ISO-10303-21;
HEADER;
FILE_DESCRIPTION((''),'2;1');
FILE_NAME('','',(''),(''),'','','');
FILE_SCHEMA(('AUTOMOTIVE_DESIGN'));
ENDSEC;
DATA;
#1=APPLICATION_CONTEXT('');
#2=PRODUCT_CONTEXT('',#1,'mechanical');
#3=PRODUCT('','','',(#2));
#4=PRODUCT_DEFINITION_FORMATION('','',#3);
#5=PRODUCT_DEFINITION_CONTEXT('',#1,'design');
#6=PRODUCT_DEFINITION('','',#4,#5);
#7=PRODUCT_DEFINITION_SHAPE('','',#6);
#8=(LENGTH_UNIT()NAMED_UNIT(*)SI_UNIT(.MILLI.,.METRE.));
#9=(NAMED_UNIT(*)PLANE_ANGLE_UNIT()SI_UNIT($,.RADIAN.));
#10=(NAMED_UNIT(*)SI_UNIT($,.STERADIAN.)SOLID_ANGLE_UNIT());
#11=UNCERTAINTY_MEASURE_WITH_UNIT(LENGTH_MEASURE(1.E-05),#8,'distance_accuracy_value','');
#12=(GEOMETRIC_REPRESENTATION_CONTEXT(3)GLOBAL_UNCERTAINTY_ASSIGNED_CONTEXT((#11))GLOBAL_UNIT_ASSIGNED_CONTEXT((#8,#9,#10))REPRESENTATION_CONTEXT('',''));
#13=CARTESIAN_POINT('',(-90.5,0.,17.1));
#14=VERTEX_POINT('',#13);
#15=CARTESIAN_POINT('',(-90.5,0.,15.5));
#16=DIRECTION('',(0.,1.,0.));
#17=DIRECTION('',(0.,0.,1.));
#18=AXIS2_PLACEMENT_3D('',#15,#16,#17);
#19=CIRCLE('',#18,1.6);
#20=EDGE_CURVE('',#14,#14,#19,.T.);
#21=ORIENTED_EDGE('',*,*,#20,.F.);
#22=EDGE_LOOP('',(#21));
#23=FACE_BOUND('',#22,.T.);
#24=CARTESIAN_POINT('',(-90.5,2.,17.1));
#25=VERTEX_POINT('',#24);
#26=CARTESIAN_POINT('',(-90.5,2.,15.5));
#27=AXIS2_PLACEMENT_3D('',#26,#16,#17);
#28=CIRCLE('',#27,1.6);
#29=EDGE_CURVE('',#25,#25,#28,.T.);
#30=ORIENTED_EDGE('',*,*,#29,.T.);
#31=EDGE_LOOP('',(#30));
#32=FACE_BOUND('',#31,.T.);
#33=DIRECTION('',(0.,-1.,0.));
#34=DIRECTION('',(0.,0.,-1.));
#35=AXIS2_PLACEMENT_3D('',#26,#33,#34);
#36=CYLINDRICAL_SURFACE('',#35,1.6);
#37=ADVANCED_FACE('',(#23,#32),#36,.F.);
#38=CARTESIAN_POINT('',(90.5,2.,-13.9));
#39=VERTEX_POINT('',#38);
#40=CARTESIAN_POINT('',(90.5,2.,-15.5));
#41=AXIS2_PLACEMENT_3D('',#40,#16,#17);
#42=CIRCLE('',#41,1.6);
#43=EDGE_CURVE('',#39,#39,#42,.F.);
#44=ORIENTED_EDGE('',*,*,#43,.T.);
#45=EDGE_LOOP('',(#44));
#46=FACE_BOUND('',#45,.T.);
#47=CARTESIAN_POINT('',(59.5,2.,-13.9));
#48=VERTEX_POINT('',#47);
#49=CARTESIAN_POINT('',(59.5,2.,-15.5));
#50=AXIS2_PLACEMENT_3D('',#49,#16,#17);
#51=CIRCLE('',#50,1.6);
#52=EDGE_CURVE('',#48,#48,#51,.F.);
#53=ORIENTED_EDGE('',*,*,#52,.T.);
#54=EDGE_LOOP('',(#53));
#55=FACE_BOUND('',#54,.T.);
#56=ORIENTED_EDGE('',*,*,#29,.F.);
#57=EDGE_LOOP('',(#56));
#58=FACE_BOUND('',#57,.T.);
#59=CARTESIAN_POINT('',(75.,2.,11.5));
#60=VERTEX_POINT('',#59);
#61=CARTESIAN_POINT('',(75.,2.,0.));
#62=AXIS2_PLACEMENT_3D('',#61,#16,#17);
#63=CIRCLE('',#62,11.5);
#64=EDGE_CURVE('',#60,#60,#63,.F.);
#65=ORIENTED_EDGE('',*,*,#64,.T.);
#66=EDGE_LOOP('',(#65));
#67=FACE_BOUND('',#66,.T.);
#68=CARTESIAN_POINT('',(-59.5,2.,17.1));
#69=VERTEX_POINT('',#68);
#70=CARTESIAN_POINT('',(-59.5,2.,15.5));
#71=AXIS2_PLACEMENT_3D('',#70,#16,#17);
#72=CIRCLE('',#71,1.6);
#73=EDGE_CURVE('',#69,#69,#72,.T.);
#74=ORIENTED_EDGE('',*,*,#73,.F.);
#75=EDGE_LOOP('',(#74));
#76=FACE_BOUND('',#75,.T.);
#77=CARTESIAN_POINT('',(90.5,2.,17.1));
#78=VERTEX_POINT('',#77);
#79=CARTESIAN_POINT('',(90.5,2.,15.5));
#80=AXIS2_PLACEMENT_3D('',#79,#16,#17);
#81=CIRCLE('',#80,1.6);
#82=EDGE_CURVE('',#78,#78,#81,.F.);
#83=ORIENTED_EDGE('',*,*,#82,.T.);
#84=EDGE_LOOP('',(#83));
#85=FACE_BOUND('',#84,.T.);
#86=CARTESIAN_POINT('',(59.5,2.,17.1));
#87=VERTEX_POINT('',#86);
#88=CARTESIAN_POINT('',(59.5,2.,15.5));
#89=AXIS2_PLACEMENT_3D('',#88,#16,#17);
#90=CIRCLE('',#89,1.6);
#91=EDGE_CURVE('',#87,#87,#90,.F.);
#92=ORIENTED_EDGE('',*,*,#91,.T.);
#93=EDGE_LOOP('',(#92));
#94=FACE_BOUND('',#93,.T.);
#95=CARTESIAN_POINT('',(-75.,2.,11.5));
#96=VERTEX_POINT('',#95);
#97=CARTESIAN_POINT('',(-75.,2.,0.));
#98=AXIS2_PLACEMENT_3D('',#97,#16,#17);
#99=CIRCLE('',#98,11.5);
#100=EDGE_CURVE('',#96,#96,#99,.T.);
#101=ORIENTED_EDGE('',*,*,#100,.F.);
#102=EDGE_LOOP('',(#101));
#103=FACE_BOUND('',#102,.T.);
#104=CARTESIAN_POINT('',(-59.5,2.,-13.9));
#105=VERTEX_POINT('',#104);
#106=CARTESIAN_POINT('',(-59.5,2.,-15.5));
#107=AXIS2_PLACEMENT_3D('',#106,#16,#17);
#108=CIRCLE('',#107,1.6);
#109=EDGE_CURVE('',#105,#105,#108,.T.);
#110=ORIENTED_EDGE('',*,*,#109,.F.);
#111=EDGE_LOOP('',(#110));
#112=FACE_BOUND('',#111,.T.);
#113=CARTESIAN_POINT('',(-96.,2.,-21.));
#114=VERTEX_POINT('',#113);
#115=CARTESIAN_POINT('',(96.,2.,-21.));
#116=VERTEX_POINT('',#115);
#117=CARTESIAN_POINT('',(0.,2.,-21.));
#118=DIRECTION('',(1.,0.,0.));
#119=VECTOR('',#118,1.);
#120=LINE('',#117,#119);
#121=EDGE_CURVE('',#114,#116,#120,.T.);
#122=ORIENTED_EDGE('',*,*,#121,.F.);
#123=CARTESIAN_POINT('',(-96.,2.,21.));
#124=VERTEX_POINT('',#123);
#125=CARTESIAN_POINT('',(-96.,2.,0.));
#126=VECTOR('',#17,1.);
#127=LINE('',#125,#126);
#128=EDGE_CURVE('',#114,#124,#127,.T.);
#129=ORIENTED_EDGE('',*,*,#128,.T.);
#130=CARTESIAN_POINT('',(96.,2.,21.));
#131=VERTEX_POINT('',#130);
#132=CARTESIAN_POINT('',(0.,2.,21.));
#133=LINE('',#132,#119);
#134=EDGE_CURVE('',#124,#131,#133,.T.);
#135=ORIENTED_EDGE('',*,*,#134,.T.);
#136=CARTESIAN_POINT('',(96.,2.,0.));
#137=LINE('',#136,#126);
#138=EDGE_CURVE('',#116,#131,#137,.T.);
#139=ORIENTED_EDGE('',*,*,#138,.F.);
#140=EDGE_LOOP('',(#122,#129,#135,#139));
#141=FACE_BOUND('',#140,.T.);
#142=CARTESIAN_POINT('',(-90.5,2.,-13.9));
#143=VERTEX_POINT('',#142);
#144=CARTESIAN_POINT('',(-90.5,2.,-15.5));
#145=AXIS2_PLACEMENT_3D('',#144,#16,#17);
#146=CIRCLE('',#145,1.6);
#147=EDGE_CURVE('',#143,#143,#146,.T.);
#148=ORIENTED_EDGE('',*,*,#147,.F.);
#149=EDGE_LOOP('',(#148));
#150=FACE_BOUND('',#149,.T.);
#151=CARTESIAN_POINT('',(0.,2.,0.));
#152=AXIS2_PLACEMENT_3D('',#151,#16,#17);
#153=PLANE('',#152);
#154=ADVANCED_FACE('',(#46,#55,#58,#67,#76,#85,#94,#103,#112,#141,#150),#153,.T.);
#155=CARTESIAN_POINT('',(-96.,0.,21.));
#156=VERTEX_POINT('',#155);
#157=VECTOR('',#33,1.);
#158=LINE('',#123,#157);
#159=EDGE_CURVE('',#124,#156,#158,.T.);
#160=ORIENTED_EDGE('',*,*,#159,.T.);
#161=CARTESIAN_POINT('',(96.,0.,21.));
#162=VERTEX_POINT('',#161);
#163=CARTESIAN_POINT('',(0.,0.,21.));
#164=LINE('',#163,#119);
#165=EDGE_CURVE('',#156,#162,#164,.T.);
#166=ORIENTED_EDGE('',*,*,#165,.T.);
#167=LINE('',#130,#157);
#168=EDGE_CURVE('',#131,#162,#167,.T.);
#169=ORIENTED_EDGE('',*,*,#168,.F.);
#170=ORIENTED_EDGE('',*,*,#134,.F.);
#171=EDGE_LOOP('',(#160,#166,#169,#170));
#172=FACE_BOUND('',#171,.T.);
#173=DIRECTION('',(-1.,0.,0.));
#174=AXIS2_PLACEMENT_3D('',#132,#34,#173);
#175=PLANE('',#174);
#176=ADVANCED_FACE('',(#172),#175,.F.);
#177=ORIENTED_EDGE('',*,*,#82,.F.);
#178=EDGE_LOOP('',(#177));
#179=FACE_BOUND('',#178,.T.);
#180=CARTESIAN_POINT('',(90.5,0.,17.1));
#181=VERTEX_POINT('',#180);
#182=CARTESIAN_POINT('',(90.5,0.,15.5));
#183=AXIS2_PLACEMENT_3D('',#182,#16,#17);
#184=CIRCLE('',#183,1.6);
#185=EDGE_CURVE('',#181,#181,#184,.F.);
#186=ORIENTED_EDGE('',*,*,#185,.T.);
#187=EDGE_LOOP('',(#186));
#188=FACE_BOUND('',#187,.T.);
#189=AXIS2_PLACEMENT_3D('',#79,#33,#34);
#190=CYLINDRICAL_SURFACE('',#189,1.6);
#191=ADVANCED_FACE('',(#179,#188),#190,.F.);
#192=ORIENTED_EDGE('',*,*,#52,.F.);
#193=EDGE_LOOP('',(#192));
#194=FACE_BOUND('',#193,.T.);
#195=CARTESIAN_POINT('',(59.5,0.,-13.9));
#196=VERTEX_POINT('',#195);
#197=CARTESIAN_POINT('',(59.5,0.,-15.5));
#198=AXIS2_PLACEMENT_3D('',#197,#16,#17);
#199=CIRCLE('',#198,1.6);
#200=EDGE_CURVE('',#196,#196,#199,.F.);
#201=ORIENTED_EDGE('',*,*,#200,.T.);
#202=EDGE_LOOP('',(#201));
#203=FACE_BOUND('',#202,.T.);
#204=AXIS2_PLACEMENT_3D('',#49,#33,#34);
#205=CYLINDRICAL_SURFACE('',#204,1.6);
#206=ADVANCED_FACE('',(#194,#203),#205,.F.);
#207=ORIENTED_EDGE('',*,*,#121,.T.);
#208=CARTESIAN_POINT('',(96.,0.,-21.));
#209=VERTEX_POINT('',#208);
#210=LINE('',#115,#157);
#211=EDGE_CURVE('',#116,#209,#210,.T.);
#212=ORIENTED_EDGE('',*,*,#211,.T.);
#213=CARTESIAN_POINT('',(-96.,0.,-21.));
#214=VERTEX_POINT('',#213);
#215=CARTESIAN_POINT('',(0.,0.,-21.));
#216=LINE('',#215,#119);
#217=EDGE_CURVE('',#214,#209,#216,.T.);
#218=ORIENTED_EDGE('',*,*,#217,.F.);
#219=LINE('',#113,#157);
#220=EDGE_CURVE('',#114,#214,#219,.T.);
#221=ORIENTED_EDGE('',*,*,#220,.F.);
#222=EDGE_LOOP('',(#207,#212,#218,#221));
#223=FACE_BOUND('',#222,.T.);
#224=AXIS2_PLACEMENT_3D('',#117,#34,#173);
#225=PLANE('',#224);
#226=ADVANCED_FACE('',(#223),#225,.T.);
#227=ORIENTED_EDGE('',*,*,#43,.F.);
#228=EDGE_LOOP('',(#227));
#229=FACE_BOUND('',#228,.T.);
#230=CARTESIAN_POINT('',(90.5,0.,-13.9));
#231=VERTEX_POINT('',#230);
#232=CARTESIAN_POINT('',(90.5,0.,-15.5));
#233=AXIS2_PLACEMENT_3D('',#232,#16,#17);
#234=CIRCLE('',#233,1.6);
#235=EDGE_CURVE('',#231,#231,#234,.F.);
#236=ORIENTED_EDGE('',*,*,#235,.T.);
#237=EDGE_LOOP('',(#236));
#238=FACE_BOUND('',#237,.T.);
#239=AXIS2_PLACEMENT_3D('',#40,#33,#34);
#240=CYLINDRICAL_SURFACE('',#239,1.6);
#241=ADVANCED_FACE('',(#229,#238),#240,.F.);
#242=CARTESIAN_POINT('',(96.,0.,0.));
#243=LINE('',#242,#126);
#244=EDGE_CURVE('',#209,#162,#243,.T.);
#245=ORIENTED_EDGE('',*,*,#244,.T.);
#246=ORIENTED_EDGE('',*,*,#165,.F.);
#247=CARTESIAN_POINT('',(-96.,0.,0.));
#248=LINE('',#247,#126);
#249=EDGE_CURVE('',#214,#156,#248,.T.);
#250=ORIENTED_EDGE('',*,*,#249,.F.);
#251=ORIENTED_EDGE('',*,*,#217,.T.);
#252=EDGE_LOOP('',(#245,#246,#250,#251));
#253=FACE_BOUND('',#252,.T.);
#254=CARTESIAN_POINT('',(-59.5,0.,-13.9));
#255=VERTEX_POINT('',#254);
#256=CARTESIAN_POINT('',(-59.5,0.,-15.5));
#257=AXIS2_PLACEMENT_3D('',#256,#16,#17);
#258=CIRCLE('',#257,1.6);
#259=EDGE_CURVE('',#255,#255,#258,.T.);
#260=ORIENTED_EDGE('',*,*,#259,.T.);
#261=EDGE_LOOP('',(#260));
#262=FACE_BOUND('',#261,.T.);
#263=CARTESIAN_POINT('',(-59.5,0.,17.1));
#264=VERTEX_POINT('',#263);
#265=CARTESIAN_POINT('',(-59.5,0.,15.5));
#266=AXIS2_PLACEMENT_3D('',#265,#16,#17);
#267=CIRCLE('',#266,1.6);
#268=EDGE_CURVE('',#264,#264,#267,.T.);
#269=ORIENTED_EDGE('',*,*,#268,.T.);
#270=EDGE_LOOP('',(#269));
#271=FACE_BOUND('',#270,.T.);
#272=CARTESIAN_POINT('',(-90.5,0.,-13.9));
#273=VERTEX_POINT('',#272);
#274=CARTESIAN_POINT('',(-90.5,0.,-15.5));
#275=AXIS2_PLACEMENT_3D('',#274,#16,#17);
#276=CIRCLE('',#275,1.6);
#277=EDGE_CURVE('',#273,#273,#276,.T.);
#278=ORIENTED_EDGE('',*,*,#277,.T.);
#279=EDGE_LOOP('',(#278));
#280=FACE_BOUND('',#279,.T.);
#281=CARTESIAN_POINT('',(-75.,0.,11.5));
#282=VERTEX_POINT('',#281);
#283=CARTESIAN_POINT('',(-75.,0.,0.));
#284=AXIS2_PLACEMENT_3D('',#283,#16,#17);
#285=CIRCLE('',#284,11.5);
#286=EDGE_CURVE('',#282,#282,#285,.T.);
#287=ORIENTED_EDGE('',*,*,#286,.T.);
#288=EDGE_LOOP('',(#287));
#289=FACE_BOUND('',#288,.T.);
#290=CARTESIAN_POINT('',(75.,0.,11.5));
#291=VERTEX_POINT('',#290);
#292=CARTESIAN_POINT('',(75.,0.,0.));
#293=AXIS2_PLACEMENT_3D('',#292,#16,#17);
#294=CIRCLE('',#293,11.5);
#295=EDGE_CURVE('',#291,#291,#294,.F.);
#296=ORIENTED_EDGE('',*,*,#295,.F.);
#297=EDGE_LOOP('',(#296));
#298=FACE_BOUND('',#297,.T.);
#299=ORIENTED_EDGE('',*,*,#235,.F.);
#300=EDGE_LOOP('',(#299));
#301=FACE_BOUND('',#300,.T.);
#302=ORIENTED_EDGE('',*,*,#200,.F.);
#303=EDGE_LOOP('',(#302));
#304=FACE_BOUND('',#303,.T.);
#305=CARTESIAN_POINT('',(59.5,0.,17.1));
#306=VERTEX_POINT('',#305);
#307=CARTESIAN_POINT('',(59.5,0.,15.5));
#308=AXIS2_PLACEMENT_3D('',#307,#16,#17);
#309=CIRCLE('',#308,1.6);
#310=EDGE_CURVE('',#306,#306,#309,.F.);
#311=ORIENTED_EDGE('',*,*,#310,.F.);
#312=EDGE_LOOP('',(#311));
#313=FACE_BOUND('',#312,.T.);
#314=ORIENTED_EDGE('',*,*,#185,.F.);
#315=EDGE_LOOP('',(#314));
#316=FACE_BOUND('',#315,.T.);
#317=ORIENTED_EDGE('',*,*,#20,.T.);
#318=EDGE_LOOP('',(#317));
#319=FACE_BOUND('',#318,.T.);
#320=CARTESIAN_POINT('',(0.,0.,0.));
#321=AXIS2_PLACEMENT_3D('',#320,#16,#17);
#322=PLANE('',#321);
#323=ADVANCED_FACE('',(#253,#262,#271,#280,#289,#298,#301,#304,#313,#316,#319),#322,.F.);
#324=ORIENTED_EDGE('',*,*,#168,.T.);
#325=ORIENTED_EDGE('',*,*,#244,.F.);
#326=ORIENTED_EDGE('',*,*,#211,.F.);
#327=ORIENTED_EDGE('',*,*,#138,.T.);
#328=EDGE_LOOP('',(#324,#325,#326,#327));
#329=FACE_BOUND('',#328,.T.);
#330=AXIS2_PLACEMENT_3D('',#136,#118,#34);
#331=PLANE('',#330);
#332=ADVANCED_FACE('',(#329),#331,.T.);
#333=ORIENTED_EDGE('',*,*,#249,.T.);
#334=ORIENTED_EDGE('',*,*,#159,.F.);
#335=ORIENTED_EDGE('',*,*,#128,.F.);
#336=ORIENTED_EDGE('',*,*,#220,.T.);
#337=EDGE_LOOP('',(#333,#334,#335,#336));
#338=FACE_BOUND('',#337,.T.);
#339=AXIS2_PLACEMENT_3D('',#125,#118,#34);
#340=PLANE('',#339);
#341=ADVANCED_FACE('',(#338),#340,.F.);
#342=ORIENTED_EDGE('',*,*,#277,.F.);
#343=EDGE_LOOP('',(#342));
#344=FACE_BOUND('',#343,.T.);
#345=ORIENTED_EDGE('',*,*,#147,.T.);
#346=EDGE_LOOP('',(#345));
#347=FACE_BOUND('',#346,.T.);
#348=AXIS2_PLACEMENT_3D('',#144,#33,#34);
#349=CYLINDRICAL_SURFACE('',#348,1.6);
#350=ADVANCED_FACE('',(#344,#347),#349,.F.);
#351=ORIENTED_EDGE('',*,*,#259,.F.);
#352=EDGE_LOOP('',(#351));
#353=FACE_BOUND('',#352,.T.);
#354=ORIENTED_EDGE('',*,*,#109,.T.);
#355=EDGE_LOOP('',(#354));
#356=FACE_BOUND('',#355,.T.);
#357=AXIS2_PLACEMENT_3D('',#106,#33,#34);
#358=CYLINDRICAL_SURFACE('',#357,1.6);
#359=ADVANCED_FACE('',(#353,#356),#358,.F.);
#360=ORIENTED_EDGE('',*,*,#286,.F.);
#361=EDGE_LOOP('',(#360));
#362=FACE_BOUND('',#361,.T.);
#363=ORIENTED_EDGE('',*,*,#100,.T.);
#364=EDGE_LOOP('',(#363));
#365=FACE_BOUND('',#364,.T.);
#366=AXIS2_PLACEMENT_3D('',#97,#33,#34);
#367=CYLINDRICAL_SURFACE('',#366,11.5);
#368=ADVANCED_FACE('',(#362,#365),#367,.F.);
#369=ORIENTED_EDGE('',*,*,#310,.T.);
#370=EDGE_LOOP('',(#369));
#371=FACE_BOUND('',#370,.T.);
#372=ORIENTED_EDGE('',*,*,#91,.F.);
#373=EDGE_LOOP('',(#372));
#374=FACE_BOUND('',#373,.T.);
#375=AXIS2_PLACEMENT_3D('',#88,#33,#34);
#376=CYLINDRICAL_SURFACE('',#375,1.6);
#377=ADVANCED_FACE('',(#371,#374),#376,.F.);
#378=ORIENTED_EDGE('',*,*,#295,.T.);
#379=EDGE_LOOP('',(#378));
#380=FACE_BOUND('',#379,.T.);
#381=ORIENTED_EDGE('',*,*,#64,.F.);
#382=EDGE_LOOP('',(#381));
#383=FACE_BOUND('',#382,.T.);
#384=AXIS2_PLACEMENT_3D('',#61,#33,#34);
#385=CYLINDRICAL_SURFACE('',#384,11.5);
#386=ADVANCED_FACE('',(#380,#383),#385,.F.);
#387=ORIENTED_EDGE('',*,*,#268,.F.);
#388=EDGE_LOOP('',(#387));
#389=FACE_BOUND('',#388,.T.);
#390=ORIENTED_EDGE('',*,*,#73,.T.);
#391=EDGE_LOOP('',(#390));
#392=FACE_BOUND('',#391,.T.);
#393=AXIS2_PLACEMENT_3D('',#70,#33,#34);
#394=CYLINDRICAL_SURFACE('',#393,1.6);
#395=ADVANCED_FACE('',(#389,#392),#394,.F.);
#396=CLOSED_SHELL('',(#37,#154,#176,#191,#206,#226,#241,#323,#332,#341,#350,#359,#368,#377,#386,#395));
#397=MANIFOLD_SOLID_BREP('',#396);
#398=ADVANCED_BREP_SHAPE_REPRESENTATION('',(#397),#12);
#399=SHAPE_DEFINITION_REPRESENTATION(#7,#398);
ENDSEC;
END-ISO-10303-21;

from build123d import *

# Parameters (mm, degrees)
SKETCH1_W           = 192
SKETCH1_H           = 42
SKETCH1_R           = 1.6
SKETCH1_R_2         = 11.5
BOSS_EXTRUDE1_DEPTH = 2


with BuildPart() as part:
    # Sketch1 → Boss-Extrude1 (new body)
    with BuildSketch(Plane(origin=(0, 0, 0), x_dir=(1, 0, 0), z_dir=(0, 1, 0))):
        Rectangle(SKETCH1_W, SKETCH1_H)
        with Locations(Location((-90.5, -15.5, 0), (0, 0, 270))):
            Circle(SKETCH1_R, mode=Mode.SUBTRACT)
        with Locations(Location((-59.5, -15.5, 0), (0, 0, 270))):
            Circle(SKETCH1_R, mode=Mode.SUBTRACT)
        with Locations(Location((59.5, -15.5, 0), (0, 0, 270))):
            Circle(SKETCH1_R, mode=Mode.SUBTRACT)
        with Locations(Location((90.5, -15.5, 0), (0, 0, 270))):
            Circle(SKETCH1_R, mode=Mode.SUBTRACT)
        with Locations(Location((-75, 0, 0), (0, 0, 270))):
            Circle(SKETCH1_R_2, mode=Mode.SUBTRACT)
        with Locations(Location((-90.5, 15.5, 0), (0, 0, 270))):
            Circle(SKETCH1_R, mode=Mode.SUBTRACT)
        with Locations(Location((-59.5, 15.5, 0), (0, 0, 270))):
            Circle(SKETCH1_R, mode=Mode.SUBTRACT)
        with Locations(Location((75, 0, 0), (0, 0, 270))):
            Circle(SKETCH1_R_2, mode=Mode.SUBTRACT)
        with Locations(Location((59.5, 15.5, 0), (0, 0, 270))):
            Circle(SKETCH1_R, mode=Mode.SUBTRACT)
        with Locations(Location((90.5, 15.5, 0), (0, 0, 270))):
            Circle(SKETCH1_R, mode=Mode.SUBTRACT)
    extrude(amount=BOSS_EXTRUDE1_DEPTH)


solid = part.part
